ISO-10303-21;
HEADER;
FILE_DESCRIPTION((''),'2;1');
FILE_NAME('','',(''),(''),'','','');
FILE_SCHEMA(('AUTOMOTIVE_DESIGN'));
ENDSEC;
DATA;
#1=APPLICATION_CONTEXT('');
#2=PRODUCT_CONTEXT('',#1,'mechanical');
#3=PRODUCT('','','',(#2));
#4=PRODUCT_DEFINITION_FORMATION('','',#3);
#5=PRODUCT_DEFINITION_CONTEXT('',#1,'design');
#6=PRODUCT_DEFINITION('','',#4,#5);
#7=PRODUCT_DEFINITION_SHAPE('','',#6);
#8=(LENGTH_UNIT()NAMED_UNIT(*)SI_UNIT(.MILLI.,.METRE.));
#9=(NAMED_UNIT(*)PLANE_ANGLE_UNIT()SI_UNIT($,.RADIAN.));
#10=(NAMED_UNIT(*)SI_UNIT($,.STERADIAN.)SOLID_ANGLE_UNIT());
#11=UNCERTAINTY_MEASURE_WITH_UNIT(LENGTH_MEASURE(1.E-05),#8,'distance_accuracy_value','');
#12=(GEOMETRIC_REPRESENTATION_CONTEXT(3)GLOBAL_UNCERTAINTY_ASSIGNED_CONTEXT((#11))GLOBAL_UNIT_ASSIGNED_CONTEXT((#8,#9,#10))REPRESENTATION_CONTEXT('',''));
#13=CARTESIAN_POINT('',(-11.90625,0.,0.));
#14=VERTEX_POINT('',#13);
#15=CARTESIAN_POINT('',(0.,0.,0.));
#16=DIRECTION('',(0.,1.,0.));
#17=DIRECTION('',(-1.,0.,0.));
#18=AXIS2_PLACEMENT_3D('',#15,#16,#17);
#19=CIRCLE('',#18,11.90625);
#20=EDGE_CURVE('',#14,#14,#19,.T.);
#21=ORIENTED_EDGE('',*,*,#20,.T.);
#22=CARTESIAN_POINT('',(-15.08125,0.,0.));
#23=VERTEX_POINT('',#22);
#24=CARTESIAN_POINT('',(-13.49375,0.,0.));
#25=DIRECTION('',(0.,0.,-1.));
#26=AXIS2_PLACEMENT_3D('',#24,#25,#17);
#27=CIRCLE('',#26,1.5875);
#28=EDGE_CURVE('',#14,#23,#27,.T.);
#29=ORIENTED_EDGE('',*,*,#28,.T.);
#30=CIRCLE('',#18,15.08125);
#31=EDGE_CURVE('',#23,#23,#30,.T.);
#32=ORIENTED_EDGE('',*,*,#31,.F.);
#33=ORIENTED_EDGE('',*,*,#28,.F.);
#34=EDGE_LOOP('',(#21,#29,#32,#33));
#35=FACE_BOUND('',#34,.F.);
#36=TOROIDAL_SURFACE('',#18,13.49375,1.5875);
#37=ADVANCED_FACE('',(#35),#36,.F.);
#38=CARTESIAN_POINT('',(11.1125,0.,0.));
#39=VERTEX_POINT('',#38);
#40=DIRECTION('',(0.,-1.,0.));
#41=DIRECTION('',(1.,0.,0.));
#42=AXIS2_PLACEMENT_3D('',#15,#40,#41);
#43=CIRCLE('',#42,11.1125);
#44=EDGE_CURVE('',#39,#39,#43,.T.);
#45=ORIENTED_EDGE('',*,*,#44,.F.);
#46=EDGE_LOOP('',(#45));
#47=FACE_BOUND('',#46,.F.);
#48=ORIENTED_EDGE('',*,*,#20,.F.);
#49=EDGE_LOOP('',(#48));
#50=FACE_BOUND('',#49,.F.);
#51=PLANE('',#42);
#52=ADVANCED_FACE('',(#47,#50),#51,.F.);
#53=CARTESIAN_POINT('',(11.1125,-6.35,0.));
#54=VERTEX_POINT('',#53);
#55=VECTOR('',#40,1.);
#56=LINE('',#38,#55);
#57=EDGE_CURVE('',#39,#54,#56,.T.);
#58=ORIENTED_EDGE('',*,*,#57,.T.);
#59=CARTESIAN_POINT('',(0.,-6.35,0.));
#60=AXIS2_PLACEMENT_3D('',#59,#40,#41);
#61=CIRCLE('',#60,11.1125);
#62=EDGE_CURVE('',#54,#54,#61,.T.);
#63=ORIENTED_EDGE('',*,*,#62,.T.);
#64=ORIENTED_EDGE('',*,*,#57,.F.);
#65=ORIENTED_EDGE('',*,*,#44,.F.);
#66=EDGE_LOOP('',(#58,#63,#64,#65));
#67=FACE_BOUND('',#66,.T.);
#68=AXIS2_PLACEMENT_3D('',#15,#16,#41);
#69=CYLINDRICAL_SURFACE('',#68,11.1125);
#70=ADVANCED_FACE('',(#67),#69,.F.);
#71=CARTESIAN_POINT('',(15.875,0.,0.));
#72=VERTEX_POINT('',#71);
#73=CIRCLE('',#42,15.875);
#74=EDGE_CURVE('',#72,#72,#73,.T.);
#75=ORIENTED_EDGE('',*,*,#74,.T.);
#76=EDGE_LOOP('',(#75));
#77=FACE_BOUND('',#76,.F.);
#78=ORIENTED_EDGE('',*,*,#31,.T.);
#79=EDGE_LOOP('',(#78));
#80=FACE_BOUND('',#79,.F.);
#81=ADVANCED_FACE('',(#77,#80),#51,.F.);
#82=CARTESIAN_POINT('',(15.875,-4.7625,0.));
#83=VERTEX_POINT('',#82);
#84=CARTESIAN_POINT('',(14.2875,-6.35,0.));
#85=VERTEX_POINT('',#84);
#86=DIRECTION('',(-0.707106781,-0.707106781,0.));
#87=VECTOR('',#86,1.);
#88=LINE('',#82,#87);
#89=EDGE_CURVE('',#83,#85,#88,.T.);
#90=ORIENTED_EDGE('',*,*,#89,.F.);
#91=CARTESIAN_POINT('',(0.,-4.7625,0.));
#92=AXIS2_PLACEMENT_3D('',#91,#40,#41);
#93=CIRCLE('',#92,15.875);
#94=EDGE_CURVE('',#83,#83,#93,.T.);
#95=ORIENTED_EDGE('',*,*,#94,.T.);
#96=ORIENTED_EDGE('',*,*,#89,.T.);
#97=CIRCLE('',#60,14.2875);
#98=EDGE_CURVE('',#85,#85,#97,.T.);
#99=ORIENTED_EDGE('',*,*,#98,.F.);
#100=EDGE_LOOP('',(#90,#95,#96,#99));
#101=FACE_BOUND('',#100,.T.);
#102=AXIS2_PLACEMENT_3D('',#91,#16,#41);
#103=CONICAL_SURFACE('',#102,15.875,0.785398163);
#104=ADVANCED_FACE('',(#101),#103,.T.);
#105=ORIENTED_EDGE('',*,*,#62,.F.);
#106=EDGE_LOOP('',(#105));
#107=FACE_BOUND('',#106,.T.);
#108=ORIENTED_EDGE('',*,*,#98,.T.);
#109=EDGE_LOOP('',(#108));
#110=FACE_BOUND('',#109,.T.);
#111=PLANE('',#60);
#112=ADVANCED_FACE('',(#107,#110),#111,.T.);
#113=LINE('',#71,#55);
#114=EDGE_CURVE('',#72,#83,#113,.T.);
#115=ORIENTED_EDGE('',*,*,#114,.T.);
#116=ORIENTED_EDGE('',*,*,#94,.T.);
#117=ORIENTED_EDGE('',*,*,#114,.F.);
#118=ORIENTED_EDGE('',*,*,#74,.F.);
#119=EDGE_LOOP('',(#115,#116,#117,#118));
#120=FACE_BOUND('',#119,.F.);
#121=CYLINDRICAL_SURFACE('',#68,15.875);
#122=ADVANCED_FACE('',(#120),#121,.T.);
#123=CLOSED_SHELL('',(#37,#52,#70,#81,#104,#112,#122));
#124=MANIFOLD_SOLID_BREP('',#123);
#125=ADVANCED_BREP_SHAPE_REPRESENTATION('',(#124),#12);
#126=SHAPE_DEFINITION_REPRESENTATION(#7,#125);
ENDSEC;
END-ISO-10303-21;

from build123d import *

# Parameters (mm, degrees)
F0_R     = 15.875
F0_R_2   = 11.1125
F1_DEPTH = 6.35
F2_SIZE  = 1.5875


with BuildPart() as f1:
    # F0 (on Front) → F1 (new body)
    with BuildSketch(Plane.XZ):
        Circle(F0_R)
        Circle(F0_R_2, mode=Mode.SUBTRACT)
    extrude(amount=F1_DEPTH)

    # F2
    f2_edges = [f1.edges().sort_by_distance(p)[0] for p in [
        (-15.875, -6.35, 0),
    ]]
    chamfer(f2_edges, length=F2_SIZE)

    # F5: sweep along a path in F3
    with BuildLine(Plane(origin=(0, 0, 0), x_dir=(-1, 0, 0), z_dir=(0, 1, 0))) as f5_path:
        CenterArc((0, 0), 11.90625, 0, 360)
    # F4 (on Right) → F5 (sweep, cut)
    with BuildSketch(Plane.YZ):
        with BuildLine():
            ThreePointArc((1.5875, 13.49375), (1.122532, 14.616282), (0, 15.08125))
            Line((0, 15.08125), (0, 11.90625))
            ThreePointArc((0, 11.90625), (1.122532, 12.371218), (1.5875, 13.49375))
        make_face()
        with BuildLine():
            Line((0, 11.90625), (0, 15.08125))
            ThreePointArc((0, 15.08125), (-1.5875, 13.49375), (0, 11.90625))
        make_face()
    sweep(path=f5_path.line, mode=Mode.SUBTRACT)


solid = f1.part
